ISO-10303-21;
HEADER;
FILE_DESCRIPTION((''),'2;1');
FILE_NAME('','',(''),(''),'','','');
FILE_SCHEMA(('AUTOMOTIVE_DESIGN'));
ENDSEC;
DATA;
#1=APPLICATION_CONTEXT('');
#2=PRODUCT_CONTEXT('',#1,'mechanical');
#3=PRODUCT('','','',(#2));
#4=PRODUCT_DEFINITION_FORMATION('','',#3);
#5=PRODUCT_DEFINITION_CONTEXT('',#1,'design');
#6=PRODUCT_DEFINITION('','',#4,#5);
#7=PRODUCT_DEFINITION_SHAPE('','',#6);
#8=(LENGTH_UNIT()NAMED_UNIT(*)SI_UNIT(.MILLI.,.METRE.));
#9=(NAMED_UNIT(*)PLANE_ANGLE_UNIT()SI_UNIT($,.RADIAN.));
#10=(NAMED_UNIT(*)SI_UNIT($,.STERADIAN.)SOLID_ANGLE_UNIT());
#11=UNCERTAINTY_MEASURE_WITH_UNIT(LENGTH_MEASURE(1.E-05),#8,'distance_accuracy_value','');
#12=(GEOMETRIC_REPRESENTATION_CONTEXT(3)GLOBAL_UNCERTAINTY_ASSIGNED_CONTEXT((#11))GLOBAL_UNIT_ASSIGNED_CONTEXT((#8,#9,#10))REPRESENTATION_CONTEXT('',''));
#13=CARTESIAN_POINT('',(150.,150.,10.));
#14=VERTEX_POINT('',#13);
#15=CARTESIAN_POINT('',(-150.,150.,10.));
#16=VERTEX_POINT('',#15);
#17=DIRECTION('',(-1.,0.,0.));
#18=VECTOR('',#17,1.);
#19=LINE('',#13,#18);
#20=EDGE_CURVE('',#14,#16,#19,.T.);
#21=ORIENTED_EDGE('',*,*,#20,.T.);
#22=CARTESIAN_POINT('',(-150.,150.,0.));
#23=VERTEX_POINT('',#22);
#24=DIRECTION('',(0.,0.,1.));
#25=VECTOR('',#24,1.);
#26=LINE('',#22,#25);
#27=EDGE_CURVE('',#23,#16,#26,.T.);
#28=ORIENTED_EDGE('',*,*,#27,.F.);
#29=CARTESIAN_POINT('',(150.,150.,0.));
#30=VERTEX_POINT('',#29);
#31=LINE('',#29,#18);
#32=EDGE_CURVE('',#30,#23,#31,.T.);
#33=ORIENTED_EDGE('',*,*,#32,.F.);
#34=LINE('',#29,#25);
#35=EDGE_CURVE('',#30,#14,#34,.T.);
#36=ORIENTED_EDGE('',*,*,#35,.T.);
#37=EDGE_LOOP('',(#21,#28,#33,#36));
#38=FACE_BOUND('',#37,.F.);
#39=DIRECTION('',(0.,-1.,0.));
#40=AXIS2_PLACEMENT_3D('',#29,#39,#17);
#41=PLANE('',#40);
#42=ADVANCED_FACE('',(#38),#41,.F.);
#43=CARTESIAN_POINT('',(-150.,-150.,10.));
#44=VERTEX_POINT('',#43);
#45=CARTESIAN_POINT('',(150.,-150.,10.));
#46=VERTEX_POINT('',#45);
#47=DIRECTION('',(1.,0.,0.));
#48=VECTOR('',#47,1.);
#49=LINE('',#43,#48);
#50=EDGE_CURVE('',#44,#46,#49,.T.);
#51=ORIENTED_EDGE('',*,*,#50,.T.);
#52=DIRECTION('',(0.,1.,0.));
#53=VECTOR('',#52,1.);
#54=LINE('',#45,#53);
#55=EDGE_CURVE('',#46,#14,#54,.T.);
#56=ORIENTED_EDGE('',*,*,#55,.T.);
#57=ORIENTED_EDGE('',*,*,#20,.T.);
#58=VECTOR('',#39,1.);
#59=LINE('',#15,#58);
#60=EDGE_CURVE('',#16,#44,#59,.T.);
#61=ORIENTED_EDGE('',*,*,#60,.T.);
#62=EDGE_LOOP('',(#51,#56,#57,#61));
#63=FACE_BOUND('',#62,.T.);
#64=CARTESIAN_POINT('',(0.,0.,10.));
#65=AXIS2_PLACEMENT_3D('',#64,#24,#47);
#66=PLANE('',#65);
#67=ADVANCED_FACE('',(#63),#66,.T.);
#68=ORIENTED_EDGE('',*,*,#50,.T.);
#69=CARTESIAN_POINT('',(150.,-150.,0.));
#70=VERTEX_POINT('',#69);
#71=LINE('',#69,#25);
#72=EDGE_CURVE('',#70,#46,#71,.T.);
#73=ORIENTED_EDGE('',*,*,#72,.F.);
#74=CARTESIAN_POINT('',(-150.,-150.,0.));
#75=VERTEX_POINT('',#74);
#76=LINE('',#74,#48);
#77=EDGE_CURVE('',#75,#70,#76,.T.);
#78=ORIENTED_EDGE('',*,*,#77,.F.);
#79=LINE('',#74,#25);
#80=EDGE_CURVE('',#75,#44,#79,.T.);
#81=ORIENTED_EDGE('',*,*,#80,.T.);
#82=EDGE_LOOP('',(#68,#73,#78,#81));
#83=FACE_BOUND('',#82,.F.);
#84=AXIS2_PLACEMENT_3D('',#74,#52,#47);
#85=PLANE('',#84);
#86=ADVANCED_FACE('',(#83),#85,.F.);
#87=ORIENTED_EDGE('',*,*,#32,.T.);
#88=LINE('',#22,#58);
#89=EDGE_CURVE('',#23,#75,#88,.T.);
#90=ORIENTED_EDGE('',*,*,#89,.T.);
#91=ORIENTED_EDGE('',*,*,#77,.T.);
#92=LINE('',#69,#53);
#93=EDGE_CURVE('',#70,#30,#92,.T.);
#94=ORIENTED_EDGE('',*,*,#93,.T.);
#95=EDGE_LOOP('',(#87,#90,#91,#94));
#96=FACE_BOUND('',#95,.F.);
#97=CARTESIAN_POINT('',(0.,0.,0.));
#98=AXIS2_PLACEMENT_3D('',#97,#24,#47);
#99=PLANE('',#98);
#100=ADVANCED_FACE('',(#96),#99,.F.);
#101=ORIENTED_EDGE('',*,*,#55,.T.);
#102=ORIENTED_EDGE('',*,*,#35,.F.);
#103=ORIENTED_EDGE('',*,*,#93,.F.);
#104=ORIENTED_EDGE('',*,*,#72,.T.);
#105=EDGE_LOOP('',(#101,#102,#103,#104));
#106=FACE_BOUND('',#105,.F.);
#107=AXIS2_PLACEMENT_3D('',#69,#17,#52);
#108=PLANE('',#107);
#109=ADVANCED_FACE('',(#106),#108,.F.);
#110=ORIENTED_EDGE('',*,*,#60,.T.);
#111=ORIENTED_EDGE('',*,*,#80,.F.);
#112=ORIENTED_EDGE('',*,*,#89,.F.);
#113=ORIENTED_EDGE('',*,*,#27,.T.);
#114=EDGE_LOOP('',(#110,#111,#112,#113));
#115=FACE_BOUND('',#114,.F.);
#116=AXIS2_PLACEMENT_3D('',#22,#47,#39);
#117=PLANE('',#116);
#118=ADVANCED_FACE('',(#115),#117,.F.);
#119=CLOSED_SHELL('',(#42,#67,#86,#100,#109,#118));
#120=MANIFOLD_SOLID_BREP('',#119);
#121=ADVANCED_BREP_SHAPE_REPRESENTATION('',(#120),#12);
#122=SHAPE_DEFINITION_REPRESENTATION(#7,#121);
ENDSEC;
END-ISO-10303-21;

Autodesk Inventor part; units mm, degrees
ref_plane "YZ Plane" through (0, 0, 0) normal (1, 0, 0) x (0, 1, 0)
ref_plane "XZ Plane" through (0, 0, 0) normal (0, 1, 0) x (-1, 0, 0)
ref_plane "XY Plane" through (0, 0, 0) normal (0, 0, 1) x (1, 0, 0)
sketch "スケッチ2" plane through (0, 0, 0) normal (0, 0, 1) x (1, 0, 0)
  line L0 (-150, -150) -> (150, -150)
  line L1 (150, -150) -> (150, 150)
  line L2 (150, 150) -> (-150, 150)
  line L3 (-150, 150) -> (-150, -150)
  line L4 (-150, -150) -> (150, 150) construction
  line L5 (150, -150) -> (-150, 150) construction
  point P0 (0, 0)
  dimension "d4" = 300
  dimension "d5" = 300
extrude "押し出し1" add sketch "スケッチ2" along normal blind 10
properties part number "DT-30N_bed_surface"
